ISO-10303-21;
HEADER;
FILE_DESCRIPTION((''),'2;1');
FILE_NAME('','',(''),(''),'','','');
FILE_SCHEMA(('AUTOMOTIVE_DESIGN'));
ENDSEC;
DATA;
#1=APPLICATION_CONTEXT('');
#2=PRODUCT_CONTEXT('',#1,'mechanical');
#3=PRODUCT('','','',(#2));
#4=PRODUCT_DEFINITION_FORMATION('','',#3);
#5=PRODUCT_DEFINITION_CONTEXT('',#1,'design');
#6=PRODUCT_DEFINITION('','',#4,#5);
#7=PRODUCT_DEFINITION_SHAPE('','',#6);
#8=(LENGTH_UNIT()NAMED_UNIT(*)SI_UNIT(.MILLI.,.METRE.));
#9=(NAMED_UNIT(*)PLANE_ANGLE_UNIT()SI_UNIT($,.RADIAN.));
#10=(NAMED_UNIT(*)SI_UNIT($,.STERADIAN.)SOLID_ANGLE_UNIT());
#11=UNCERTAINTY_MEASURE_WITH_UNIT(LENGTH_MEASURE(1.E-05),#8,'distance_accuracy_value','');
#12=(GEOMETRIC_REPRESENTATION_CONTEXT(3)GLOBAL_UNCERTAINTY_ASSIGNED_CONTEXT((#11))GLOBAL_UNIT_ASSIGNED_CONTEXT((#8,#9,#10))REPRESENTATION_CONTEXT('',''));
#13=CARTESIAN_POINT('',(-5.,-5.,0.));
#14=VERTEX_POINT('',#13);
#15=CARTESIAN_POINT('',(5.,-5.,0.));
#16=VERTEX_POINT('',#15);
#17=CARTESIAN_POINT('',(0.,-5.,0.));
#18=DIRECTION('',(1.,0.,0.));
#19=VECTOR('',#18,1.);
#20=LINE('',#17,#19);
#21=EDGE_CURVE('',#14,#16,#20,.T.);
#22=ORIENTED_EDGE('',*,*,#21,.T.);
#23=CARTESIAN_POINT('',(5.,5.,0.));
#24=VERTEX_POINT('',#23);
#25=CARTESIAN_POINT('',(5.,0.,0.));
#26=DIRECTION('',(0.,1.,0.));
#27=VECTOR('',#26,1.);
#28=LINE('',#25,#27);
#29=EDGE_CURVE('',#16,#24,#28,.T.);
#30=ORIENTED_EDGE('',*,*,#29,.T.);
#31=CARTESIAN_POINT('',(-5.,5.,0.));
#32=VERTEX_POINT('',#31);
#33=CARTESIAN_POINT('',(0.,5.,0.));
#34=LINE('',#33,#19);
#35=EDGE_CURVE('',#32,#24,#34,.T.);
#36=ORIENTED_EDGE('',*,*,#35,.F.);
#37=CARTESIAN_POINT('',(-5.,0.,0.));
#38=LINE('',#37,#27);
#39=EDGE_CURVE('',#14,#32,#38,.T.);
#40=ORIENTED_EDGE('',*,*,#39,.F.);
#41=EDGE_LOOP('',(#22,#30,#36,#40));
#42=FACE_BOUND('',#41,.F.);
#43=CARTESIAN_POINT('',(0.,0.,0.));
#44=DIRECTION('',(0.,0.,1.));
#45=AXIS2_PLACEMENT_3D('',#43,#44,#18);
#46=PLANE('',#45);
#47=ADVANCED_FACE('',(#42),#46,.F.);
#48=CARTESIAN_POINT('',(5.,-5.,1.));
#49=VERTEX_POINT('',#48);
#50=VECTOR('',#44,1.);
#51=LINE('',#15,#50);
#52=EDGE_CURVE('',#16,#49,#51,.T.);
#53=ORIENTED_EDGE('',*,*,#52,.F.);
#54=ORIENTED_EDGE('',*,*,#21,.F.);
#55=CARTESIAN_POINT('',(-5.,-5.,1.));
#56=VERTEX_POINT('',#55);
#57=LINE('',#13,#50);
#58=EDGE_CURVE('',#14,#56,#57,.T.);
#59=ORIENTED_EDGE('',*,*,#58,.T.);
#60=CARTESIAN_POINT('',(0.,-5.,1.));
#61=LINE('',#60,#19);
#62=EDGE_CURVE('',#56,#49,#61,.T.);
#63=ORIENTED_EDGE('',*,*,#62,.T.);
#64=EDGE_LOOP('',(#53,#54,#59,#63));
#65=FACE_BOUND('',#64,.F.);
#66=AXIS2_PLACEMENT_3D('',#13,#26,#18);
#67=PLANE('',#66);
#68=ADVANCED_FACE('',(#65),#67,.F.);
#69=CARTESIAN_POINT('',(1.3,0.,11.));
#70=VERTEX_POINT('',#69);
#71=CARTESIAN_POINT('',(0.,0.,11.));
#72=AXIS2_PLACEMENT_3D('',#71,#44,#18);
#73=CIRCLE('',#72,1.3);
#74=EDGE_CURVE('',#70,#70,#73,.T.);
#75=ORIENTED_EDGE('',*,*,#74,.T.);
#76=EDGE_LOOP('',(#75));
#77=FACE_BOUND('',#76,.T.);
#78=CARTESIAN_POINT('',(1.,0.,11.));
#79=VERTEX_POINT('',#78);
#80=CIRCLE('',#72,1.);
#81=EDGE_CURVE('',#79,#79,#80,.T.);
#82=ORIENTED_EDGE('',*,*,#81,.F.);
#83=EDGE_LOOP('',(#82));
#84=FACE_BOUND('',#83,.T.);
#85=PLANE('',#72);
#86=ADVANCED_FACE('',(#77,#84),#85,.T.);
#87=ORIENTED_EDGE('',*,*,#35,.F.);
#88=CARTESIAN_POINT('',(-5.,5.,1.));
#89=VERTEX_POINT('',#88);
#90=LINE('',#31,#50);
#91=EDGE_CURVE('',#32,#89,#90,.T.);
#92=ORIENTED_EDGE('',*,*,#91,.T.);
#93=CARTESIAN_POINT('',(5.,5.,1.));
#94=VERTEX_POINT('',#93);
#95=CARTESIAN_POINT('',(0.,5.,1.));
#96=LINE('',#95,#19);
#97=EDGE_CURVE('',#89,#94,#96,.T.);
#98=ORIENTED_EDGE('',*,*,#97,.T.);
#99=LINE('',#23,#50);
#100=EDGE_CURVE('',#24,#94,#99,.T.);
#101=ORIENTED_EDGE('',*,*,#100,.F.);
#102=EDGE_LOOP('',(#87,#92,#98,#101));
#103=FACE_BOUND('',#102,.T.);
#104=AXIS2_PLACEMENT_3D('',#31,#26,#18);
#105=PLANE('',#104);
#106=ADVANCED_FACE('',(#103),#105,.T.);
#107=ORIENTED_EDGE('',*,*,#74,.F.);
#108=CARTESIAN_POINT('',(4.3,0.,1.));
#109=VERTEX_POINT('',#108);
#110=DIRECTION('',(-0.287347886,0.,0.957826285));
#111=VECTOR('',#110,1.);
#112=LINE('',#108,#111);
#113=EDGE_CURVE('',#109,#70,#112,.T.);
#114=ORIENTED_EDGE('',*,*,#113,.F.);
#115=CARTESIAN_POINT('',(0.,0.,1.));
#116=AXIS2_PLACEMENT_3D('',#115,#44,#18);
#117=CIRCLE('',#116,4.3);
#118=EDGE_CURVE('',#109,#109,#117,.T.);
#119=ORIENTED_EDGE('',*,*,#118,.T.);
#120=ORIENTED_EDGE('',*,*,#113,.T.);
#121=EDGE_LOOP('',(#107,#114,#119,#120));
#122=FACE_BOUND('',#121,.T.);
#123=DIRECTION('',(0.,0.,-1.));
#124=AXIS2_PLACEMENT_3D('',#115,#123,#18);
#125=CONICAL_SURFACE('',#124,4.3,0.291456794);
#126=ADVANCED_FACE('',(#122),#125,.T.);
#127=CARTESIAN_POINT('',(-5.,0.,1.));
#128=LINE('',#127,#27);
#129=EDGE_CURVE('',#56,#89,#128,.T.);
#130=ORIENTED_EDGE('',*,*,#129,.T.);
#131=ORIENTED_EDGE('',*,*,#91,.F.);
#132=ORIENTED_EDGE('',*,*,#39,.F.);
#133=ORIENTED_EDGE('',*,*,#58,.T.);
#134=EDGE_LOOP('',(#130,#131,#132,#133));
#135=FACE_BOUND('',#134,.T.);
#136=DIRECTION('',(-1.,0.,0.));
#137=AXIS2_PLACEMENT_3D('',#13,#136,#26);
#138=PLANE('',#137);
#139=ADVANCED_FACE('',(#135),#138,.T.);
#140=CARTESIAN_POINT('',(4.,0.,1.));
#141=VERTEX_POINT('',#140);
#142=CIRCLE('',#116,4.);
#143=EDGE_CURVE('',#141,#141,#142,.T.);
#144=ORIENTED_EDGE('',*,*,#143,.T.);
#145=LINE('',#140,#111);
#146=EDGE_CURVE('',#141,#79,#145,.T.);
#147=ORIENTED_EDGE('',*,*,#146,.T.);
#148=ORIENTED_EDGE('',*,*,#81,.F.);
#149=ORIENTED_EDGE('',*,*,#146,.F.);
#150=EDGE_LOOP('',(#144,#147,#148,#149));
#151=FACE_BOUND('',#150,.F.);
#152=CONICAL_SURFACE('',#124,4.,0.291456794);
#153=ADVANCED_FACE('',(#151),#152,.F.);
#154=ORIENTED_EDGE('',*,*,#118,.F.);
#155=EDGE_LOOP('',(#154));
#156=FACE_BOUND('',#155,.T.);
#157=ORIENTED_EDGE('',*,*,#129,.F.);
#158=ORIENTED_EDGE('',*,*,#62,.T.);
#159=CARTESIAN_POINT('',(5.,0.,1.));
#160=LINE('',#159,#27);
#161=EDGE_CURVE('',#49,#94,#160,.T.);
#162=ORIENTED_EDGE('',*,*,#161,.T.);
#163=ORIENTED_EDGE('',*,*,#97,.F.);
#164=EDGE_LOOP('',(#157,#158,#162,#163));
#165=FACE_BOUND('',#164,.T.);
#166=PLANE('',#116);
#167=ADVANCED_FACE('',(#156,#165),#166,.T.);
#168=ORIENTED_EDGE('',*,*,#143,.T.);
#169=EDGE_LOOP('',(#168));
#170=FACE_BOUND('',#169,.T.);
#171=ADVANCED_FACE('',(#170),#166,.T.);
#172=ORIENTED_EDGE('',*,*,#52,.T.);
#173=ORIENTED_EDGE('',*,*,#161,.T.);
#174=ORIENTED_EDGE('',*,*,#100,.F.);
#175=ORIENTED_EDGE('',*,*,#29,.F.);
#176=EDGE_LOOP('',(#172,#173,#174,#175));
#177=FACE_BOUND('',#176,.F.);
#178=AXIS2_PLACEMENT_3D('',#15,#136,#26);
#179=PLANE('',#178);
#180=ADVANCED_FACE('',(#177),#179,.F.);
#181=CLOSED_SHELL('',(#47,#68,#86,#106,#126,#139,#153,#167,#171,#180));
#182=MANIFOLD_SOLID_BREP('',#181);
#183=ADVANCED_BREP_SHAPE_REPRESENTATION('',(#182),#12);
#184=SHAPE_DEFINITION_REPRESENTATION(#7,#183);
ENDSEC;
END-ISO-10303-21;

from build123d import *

# Parameters (mm, degrees)
BOX_W     = 10
BOX_H     = 10
BOX_DEPTH = 1


with BuildPart() as cube:
    # Box → Box (new body)
    with BuildSketch(Plane(origin=(-5, -5, 0), x_dir=(1, 0, 0), z_dir=(0, 0, 1))):
        with Locations((5, 5)):
            Rectangle(BOX_W, BOX_H)
    extrude(amount=BOX_DEPTH)


with BuildPart() as cone:
    # Cone → Cone (revolve)
    with BuildSketch(Plane.XZ):
        Polygon((0, 0), (4, 0), (1, 10), (0, 10), align=None)
    revolve(axis=Axis((0, 0, 0), (0, 0, 1)))


with BuildPart() as fusion:
    # Cone001 → Cone001 (revolve)
    with BuildSketch(Plane.XZ):
        Polygon((0, 0), (4.3, 0), (1.3, 10), (0, 10), align=None)
    revolve(axis=Axis((0, 0, 0), (0, 0, 1)))

    # Cut: cut Cone
    add(cone.part, mode=Mode.SUBTRACT)


with BuildPart() as fusion_1:
    # Cut placement: moved
    add(fusion.part.moved(Location((0, 0, 1))))

    # Fusion: union Cube
    add(cube.part)


solid = fusion_1.part
